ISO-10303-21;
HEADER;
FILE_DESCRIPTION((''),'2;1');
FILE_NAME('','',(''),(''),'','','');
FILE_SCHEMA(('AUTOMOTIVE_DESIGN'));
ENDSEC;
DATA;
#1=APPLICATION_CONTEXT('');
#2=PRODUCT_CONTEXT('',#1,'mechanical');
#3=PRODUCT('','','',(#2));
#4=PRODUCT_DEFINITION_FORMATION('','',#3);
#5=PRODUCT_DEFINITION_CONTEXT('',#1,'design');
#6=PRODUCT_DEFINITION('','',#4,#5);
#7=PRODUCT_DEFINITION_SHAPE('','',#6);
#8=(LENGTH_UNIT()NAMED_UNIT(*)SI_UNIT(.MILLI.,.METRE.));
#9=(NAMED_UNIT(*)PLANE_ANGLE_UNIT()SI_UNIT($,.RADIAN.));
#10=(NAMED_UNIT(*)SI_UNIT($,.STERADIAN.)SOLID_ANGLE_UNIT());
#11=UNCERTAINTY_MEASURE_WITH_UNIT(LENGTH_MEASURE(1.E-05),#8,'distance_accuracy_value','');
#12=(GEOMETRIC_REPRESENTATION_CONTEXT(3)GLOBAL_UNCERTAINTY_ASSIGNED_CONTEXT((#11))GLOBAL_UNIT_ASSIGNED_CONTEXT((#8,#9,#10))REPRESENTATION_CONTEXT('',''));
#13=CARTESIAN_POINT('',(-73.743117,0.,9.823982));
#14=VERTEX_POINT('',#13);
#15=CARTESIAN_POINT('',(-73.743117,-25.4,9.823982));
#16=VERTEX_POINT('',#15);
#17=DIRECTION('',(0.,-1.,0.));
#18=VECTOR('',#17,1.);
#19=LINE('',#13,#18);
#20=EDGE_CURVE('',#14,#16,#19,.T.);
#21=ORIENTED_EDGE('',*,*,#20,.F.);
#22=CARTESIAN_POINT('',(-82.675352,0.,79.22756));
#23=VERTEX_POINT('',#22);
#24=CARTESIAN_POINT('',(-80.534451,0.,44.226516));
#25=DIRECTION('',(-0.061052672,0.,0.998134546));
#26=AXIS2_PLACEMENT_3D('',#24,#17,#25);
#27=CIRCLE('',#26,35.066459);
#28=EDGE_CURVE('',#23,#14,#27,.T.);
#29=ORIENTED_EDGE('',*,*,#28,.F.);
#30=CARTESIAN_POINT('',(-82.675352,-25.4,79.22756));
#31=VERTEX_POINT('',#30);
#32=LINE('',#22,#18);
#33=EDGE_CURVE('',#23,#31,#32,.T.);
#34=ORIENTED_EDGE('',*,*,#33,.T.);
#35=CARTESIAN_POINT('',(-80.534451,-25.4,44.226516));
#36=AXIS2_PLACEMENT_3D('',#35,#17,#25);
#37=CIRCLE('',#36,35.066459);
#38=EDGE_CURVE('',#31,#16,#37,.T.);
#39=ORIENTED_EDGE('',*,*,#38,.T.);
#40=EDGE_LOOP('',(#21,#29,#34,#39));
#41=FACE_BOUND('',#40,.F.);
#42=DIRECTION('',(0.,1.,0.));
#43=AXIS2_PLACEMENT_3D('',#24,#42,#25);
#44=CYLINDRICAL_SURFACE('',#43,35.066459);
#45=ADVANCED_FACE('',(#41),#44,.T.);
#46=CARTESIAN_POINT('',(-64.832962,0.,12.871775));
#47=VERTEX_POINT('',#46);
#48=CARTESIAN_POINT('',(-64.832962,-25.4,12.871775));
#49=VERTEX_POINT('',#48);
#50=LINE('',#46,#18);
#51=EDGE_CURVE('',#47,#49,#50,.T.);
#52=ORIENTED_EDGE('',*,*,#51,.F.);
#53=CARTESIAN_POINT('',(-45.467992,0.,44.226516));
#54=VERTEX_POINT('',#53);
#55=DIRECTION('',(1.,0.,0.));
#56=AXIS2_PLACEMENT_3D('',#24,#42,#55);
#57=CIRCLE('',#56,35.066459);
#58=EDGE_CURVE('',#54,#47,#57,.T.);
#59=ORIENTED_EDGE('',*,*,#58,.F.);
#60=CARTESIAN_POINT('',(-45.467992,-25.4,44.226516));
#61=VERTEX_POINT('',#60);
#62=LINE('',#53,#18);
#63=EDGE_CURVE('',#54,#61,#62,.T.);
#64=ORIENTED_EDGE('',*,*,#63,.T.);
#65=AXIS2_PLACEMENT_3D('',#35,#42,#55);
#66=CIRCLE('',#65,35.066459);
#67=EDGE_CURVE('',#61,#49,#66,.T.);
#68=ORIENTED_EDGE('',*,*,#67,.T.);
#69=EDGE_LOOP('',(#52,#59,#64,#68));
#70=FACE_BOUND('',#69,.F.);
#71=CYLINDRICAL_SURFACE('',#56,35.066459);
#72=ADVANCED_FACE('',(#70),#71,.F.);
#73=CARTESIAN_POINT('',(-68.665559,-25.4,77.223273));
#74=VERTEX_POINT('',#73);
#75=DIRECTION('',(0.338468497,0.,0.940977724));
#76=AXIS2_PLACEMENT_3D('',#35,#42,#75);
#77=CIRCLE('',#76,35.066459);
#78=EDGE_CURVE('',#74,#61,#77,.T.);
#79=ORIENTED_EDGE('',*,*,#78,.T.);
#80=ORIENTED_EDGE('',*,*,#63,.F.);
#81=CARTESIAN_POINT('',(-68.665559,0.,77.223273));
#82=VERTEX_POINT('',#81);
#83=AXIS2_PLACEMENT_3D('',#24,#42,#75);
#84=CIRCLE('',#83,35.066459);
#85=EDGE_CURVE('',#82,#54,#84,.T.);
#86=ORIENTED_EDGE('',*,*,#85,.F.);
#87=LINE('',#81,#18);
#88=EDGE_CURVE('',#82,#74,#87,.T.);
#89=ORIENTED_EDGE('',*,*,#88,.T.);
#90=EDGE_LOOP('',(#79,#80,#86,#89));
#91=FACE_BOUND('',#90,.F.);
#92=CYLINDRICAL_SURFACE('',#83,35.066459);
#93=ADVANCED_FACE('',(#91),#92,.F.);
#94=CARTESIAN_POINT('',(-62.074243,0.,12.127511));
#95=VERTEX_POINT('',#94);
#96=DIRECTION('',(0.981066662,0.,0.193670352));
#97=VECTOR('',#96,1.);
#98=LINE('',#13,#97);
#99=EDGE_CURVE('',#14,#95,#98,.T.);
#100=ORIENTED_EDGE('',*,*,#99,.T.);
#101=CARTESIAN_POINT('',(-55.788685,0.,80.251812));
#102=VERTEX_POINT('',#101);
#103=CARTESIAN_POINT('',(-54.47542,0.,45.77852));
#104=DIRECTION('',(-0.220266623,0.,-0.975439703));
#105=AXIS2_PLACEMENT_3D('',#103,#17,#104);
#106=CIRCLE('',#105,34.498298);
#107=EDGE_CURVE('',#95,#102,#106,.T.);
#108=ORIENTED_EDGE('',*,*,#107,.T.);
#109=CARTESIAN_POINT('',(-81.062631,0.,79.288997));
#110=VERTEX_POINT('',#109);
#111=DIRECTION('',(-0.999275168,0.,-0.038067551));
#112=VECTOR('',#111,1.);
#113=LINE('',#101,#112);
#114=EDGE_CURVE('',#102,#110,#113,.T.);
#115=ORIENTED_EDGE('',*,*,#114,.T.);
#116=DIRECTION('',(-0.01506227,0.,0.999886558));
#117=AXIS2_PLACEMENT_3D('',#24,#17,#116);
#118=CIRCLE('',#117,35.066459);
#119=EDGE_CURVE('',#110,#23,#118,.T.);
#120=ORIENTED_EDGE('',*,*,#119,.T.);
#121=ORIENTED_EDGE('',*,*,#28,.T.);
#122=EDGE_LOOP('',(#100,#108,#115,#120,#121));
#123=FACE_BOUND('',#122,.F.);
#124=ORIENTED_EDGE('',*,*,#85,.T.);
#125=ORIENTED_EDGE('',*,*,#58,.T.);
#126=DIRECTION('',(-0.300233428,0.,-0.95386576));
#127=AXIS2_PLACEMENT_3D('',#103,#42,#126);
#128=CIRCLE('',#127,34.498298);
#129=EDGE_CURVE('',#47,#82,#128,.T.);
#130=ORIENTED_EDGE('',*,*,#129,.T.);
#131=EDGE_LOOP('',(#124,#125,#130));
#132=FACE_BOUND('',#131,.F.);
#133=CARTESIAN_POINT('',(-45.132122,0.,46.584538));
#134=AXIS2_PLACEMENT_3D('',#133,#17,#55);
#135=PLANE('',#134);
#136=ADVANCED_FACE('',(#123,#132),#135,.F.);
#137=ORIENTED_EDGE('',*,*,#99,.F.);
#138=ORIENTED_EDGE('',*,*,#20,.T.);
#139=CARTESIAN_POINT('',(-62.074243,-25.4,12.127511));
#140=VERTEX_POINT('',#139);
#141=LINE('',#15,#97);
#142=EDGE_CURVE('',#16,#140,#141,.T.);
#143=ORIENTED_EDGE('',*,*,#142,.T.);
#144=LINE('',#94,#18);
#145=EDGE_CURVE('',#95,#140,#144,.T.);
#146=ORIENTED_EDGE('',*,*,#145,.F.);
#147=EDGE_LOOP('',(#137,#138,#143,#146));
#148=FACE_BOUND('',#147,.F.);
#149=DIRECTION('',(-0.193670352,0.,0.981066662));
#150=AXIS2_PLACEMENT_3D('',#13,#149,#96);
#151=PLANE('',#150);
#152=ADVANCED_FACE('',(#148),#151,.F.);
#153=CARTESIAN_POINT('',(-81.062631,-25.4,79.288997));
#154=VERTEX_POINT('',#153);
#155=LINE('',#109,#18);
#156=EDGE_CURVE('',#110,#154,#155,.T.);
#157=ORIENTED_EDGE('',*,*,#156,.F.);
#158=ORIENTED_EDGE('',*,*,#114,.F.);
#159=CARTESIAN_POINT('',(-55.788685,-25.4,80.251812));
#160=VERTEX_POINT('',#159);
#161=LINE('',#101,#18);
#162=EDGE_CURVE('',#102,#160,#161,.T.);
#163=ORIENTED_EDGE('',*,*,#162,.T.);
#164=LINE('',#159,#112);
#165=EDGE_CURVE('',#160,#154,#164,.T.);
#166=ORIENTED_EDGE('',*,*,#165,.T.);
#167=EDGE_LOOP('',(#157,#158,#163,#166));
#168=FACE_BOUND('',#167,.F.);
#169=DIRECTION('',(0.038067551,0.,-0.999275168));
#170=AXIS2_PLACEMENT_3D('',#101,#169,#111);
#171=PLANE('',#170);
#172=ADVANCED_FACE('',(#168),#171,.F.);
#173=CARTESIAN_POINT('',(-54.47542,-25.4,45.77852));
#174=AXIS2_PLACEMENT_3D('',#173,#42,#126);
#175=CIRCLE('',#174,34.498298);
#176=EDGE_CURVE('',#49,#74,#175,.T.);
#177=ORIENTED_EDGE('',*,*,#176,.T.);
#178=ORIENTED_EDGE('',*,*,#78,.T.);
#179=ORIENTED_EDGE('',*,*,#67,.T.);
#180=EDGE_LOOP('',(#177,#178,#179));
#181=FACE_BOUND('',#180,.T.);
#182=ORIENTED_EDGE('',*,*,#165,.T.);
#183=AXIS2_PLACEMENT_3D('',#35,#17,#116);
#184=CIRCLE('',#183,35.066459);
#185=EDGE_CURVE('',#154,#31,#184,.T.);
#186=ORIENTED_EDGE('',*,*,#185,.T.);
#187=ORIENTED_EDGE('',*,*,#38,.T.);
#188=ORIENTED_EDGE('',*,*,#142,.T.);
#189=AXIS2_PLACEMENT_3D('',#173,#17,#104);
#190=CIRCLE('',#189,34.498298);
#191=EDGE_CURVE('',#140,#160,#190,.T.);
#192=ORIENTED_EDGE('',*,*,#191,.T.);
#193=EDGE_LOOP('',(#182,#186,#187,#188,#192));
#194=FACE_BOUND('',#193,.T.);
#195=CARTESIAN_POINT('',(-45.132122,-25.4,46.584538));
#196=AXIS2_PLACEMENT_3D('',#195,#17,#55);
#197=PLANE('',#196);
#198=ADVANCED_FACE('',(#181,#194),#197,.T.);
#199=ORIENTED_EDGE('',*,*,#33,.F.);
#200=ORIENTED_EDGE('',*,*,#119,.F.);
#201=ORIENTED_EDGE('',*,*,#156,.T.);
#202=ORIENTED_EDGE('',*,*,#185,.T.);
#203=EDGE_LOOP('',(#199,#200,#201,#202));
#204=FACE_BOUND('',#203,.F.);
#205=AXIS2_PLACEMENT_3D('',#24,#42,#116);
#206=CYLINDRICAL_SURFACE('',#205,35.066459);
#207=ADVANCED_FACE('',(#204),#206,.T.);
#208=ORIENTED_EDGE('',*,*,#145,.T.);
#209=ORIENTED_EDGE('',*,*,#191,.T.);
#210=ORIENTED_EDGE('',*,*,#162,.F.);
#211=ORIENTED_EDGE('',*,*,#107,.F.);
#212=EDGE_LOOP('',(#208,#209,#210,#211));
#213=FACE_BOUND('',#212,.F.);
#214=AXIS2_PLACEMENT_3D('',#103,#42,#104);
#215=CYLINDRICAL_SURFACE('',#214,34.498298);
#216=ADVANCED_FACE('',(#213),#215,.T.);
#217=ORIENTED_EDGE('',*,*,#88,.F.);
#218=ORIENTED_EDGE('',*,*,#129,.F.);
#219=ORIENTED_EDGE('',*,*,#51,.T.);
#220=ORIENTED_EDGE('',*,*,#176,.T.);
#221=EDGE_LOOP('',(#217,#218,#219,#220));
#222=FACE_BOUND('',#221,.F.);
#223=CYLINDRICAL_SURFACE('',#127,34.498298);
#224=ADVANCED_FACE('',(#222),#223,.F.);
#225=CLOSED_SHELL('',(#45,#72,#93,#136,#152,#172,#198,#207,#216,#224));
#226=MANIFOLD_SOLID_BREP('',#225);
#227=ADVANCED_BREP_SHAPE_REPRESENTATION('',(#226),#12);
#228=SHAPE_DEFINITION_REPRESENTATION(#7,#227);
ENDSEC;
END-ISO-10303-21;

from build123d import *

# Parameters (mm, degrees)
F1_DEPTH = 25.4


with BuildPart() as f1:
    # F0 (on Front) → F1 (new body)
    with BuildSketch(Plane.XZ):
        with BuildLine():
            ThreePointArc((-62.0742431231, 12.1275106108), (-32.9349220505, 18.8315439794), (-19.9771218772, 45.7785198887))
            ThreePointArc((-19.9771218772, 45.7785198887), (-30.5502538292, 70.6324730602), (-55.7886853068, 80.2518121269))
            ThreePointArc((-55.7886853068, 80.2518121269), (-62.3736412664, 79.3605186208), (-68.6655590548, 77.2232728115))
            ThreePointArc((-68.6655590548, 77.2232728115), (-51.8477242561, 64.3940213884), (-45.4679917115, 44.2265160382))
            ThreePointArc((-45.4679917115, 44.2265160382), (-50.6994698519, 25.8001636078), (-64.8329617476, 12.8717749126))
            ThreePointArc((-64.8329617476, 12.8717749126), (-63.4613112844, 12.4710688463), (-62.0742431231, 12.1275106108))
        make_face()
        with BuildLine():
            ThreePointArc((-68.6655590548, 77.2232728115), (-62.3736412664, 79.3605186208), (-55.7886853068, 80.2518121269))
            Line((-55.7886853068, 80.2518121269), (-81.0626311762, 79.2889970125))
            ThreePointArc((-81.0626311762, 79.2889970125), (-74.7707941721, 78.8160637368), (-68.6655590548, 77.2232728115))
        make_face()
        with BuildLine():
            Line((-73.7431172592, 9.8239821687), (-62.0742431231, 12.1275106108))
            ThreePointArc((-62.0742431231, 12.1275106108), (-63.4613112844, 12.4710688463), (-64.8329617476, 12.8717749126))
            ThreePointArc((-64.8329617476, 12.8717749126), (-69.1852646079, 11.0474183786), (-73.7431172592, 9.8239821687))
        make_face()
        with BuildLine():
            ThreePointArc((-64.8329617476, 12.8717749126), (-88.9126957368, 43.7275309271), (-68.6655590548, 77.2232728115))
            ThreePointArc((-68.6655590548, 77.2232728115), (-74.7707941721, 78.8160637368), (-81.0626311762, 79.2889970125))
            Line((-81.0626311762, 79.2889970125), (-82.6753517269, 79.2275601585))
            ThreePointArc((-82.6753517269, 79.2275601585), (-115.3140537826, 39.7503841393), (-73.7431172592, 9.8239821687))
            ThreePointArc((-73.7431172592, 9.8239821687), (-69.1852646079, 11.0474183786), (-64.8329617476, 12.8717749126))
        make_face()
        with BuildLine():
            Line((-82.6753517269, 79.2275601585), (-81.0626311762, 79.2889970125))
            ThreePointArc((-81.0626311762, 79.2889970125), (-81.8693449427, 79.2675577474), (-82.6753517269, 79.2275601585))
        make_face()
    extrude(amount=F1_DEPTH)


solid = f1.part
